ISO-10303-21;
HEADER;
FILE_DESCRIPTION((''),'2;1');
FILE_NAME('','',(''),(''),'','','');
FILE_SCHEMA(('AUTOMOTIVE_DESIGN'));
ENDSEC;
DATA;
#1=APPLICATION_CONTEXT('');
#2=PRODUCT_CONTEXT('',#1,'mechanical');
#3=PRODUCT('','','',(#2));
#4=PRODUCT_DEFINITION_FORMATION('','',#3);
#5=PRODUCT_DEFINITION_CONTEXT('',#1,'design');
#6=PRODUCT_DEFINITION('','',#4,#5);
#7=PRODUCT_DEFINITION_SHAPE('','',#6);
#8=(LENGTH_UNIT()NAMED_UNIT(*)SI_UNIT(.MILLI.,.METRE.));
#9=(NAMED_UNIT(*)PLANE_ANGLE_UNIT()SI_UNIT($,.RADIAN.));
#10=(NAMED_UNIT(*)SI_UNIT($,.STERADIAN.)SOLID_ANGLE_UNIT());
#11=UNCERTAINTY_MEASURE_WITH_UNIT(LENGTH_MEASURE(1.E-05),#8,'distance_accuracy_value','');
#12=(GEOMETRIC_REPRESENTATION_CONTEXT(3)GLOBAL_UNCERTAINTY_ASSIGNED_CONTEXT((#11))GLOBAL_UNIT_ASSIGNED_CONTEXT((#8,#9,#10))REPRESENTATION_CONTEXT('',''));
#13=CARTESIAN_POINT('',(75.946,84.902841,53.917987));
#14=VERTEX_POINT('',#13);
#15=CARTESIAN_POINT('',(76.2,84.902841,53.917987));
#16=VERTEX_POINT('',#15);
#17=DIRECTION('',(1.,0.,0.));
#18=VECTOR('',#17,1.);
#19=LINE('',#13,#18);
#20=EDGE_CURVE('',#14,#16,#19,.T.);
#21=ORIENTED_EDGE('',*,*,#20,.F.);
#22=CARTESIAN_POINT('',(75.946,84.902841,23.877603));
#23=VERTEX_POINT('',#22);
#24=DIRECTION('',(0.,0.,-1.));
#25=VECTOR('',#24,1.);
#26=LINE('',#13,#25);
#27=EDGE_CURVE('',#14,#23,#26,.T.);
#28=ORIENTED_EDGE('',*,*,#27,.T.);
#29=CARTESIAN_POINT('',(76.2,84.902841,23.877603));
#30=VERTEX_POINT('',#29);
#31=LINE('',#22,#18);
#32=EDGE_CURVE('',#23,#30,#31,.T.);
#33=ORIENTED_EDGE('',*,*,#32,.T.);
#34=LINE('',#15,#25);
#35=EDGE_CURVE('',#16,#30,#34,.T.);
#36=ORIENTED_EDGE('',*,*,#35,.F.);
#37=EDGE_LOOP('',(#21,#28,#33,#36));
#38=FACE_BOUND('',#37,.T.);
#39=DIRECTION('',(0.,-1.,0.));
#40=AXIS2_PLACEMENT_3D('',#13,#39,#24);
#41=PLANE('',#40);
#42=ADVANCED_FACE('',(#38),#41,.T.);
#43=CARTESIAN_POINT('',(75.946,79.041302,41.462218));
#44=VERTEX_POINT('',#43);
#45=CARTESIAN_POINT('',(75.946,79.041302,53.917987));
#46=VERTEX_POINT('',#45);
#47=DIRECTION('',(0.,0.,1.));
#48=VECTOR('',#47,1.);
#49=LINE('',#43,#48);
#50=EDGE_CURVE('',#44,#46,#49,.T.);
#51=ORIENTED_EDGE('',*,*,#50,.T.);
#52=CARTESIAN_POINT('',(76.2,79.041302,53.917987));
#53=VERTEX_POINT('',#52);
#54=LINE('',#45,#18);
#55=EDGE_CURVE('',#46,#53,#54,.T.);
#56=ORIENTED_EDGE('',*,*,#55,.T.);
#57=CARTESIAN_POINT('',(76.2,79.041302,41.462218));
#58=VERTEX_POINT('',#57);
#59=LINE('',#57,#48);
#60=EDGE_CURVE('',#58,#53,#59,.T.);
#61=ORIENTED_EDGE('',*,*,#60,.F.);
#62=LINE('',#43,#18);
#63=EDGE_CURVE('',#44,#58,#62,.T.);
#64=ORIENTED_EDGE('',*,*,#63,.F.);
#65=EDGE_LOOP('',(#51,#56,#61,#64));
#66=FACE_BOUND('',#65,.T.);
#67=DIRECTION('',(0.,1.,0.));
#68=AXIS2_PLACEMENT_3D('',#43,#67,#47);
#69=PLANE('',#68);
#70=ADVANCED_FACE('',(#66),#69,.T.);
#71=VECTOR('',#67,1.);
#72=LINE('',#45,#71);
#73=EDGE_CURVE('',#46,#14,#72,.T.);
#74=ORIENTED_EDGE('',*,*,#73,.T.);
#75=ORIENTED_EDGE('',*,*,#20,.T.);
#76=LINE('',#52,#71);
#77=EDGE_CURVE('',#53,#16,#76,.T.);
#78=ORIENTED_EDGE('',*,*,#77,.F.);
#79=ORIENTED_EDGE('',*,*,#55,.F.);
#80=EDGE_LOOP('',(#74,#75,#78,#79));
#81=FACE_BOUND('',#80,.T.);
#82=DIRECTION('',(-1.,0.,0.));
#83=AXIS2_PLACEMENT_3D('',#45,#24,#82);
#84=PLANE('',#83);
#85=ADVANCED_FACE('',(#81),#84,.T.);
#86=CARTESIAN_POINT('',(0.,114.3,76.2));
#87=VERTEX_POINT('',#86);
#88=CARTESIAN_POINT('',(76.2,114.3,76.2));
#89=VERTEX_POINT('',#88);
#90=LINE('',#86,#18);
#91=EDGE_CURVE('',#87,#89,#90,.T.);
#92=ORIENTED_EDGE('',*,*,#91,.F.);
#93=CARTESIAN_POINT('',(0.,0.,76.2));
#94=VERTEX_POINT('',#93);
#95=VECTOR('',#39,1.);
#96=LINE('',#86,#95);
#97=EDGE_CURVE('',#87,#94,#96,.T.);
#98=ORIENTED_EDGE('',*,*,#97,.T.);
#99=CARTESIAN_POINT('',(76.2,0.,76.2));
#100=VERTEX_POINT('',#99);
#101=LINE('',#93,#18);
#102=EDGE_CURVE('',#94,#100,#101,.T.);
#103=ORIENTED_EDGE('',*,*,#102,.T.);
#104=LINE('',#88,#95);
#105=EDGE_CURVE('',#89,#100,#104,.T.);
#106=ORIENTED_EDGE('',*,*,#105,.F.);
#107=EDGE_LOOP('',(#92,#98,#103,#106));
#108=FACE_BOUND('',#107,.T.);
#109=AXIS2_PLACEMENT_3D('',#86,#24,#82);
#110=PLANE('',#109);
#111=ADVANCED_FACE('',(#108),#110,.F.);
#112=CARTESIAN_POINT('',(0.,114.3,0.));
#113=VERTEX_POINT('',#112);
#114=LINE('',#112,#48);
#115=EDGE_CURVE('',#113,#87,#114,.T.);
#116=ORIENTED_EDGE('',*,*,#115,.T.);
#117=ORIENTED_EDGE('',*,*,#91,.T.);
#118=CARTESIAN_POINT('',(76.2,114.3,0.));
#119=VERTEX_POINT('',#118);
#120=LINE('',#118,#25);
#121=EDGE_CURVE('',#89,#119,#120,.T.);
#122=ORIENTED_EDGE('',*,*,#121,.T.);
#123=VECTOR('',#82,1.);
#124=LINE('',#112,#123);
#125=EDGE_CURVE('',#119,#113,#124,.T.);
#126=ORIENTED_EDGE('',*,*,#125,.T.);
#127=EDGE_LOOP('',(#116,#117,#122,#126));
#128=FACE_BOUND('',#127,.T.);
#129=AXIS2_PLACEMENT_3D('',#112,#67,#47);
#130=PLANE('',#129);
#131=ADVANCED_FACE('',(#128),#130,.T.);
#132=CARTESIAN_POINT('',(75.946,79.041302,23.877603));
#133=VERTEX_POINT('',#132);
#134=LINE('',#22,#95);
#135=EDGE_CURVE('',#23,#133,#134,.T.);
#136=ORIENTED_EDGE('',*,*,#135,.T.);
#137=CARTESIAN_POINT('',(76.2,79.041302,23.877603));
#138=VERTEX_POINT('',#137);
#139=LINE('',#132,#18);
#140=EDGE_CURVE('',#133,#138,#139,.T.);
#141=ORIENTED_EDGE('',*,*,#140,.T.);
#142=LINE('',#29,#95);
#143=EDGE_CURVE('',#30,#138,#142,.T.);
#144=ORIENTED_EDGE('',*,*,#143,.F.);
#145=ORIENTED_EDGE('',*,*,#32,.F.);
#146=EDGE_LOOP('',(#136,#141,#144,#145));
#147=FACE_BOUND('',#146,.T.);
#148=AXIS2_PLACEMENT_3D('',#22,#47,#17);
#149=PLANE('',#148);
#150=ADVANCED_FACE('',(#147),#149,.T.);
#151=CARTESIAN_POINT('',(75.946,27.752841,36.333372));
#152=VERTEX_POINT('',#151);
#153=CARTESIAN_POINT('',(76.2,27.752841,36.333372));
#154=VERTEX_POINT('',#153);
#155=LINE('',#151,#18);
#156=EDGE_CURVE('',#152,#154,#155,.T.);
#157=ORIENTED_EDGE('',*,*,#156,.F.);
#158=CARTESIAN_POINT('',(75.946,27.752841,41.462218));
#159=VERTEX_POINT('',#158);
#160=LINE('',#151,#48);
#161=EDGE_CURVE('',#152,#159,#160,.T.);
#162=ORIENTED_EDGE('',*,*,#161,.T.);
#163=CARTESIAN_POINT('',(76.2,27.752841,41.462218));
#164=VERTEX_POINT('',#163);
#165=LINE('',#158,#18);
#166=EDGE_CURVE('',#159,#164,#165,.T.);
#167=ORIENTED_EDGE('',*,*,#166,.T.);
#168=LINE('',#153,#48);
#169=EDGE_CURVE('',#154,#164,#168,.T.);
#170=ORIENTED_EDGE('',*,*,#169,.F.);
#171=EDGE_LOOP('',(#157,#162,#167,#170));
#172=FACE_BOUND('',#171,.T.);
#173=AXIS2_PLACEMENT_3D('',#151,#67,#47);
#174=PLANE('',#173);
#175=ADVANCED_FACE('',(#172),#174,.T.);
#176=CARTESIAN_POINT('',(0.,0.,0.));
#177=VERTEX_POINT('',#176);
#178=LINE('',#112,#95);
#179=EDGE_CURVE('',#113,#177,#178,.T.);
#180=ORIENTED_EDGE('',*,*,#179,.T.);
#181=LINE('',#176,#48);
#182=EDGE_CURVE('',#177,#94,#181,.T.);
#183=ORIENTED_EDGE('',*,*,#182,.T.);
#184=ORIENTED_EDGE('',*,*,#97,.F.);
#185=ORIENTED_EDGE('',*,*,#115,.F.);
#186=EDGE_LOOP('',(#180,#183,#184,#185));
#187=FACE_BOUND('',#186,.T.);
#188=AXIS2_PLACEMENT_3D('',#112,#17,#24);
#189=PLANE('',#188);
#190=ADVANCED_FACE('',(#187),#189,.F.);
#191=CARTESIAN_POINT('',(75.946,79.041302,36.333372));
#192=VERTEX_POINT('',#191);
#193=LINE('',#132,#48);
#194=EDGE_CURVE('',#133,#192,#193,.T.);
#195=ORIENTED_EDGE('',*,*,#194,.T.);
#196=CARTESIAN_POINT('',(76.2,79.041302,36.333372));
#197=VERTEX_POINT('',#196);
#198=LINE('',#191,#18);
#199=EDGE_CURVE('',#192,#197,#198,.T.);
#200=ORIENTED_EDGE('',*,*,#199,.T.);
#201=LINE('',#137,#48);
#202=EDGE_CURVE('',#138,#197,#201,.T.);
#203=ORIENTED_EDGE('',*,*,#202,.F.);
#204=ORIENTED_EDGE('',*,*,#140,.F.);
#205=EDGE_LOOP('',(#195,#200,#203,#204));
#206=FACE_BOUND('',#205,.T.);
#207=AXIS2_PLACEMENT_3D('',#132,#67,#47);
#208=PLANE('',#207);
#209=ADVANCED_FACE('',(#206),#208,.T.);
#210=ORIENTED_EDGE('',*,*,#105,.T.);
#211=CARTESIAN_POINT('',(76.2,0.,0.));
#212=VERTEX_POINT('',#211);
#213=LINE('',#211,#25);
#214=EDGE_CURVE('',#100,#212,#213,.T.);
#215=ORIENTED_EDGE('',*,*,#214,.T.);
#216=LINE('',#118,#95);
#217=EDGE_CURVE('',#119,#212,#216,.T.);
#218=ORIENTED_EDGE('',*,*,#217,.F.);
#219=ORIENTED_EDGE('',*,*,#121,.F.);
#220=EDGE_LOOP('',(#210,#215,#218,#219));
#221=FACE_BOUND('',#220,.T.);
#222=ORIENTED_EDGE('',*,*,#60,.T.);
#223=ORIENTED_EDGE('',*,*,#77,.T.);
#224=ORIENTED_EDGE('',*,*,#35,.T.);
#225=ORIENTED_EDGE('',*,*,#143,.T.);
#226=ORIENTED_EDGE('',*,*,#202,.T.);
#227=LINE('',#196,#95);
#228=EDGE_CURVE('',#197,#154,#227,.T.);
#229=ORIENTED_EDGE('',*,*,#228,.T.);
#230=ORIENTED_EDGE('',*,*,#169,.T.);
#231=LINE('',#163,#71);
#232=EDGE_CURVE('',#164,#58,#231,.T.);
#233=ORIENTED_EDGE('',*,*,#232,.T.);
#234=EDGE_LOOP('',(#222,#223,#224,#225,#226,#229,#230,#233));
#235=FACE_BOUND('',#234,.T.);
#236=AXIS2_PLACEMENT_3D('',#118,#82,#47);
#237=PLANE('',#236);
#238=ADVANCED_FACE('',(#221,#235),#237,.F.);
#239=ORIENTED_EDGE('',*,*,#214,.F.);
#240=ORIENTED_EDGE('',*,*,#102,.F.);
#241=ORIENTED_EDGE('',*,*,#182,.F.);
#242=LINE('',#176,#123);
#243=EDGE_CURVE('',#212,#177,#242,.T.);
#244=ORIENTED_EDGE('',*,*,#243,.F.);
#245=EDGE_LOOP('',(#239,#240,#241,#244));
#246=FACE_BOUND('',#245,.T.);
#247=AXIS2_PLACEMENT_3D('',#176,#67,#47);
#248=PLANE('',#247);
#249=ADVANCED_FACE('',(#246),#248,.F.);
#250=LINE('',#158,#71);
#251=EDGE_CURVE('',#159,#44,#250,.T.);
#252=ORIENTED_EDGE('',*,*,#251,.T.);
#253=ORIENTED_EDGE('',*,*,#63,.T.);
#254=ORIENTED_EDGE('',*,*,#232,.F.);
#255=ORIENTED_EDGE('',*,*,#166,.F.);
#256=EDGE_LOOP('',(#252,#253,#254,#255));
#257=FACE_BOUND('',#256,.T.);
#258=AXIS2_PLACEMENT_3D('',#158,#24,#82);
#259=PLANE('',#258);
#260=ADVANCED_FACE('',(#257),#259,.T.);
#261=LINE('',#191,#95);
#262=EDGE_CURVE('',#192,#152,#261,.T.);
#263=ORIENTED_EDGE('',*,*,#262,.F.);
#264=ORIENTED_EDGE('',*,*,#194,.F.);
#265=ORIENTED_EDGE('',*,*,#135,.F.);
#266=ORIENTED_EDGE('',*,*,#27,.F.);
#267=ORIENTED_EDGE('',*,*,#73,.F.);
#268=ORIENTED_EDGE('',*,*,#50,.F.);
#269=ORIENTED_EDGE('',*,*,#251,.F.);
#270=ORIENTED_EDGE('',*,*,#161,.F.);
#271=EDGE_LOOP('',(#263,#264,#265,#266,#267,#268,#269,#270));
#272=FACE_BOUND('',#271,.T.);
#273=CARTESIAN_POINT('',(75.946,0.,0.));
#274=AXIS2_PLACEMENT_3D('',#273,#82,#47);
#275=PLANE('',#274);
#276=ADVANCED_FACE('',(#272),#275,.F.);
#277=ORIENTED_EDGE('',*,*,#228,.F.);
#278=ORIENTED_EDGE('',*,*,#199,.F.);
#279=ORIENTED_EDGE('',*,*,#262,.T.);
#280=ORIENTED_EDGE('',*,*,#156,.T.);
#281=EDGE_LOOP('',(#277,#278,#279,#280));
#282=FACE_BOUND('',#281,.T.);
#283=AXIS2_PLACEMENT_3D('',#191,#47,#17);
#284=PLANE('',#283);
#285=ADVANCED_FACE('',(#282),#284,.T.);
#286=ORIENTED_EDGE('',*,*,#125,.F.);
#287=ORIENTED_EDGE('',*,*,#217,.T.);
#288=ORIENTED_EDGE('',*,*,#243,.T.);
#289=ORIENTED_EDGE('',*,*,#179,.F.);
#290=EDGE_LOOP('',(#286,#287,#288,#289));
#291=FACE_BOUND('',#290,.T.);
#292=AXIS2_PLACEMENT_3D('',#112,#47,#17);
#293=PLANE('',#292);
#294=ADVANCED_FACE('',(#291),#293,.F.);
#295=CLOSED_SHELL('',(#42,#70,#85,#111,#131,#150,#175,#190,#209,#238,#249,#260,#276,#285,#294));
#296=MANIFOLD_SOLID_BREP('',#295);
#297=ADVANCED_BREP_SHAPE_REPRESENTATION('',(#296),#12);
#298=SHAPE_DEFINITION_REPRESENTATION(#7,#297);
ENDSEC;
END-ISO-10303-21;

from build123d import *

# Parameters (mm, degrees)
SKETCH1_W           = 76.2
SKETCH1_H           = 76.2
BOSS_EXTRUDE1_DEPTH = 114.3
CUT_EXTRUDE1_DEPTH  = 0.254


with BuildPart() as part:
    # Sketch1 → Boss-Extrude1 (new body)
    with BuildSketch(Plane(origin=(0, 0, 0), x_dir=(1, 0, 0), z_dir=(0, 1, 0))):
        with Locations((38.1, -38.1)):
            Rectangle(SKETCH1_W, SKETCH1_H)
    extrude(amount=BOSS_EXTRUDE1_DEPTH)

    # Sketch2 → Cut-Extrude1 (cut)
    with BuildSketch(Plane(origin=(76.2, 0, 0), x_dir=(0, 0, -1), z_dir=(1, 0, 0))):
        Polygon((-53.917987266, 79.041302106), (-53.917987266, 84.902840567), (-23.87760265, 84.902840567), (-23.87760265, 79.041302106), (-36.333371881, 79.041302106), (-36.333371881, 27.752840567), (-41.462218035, 27.752840567), (-41.462218035, 79.041302106), align=None)
    extrude(amount=-CUT_EXTRUDE1_DEPTH, mode=Mode.SUBTRACT)


solid = part.part
